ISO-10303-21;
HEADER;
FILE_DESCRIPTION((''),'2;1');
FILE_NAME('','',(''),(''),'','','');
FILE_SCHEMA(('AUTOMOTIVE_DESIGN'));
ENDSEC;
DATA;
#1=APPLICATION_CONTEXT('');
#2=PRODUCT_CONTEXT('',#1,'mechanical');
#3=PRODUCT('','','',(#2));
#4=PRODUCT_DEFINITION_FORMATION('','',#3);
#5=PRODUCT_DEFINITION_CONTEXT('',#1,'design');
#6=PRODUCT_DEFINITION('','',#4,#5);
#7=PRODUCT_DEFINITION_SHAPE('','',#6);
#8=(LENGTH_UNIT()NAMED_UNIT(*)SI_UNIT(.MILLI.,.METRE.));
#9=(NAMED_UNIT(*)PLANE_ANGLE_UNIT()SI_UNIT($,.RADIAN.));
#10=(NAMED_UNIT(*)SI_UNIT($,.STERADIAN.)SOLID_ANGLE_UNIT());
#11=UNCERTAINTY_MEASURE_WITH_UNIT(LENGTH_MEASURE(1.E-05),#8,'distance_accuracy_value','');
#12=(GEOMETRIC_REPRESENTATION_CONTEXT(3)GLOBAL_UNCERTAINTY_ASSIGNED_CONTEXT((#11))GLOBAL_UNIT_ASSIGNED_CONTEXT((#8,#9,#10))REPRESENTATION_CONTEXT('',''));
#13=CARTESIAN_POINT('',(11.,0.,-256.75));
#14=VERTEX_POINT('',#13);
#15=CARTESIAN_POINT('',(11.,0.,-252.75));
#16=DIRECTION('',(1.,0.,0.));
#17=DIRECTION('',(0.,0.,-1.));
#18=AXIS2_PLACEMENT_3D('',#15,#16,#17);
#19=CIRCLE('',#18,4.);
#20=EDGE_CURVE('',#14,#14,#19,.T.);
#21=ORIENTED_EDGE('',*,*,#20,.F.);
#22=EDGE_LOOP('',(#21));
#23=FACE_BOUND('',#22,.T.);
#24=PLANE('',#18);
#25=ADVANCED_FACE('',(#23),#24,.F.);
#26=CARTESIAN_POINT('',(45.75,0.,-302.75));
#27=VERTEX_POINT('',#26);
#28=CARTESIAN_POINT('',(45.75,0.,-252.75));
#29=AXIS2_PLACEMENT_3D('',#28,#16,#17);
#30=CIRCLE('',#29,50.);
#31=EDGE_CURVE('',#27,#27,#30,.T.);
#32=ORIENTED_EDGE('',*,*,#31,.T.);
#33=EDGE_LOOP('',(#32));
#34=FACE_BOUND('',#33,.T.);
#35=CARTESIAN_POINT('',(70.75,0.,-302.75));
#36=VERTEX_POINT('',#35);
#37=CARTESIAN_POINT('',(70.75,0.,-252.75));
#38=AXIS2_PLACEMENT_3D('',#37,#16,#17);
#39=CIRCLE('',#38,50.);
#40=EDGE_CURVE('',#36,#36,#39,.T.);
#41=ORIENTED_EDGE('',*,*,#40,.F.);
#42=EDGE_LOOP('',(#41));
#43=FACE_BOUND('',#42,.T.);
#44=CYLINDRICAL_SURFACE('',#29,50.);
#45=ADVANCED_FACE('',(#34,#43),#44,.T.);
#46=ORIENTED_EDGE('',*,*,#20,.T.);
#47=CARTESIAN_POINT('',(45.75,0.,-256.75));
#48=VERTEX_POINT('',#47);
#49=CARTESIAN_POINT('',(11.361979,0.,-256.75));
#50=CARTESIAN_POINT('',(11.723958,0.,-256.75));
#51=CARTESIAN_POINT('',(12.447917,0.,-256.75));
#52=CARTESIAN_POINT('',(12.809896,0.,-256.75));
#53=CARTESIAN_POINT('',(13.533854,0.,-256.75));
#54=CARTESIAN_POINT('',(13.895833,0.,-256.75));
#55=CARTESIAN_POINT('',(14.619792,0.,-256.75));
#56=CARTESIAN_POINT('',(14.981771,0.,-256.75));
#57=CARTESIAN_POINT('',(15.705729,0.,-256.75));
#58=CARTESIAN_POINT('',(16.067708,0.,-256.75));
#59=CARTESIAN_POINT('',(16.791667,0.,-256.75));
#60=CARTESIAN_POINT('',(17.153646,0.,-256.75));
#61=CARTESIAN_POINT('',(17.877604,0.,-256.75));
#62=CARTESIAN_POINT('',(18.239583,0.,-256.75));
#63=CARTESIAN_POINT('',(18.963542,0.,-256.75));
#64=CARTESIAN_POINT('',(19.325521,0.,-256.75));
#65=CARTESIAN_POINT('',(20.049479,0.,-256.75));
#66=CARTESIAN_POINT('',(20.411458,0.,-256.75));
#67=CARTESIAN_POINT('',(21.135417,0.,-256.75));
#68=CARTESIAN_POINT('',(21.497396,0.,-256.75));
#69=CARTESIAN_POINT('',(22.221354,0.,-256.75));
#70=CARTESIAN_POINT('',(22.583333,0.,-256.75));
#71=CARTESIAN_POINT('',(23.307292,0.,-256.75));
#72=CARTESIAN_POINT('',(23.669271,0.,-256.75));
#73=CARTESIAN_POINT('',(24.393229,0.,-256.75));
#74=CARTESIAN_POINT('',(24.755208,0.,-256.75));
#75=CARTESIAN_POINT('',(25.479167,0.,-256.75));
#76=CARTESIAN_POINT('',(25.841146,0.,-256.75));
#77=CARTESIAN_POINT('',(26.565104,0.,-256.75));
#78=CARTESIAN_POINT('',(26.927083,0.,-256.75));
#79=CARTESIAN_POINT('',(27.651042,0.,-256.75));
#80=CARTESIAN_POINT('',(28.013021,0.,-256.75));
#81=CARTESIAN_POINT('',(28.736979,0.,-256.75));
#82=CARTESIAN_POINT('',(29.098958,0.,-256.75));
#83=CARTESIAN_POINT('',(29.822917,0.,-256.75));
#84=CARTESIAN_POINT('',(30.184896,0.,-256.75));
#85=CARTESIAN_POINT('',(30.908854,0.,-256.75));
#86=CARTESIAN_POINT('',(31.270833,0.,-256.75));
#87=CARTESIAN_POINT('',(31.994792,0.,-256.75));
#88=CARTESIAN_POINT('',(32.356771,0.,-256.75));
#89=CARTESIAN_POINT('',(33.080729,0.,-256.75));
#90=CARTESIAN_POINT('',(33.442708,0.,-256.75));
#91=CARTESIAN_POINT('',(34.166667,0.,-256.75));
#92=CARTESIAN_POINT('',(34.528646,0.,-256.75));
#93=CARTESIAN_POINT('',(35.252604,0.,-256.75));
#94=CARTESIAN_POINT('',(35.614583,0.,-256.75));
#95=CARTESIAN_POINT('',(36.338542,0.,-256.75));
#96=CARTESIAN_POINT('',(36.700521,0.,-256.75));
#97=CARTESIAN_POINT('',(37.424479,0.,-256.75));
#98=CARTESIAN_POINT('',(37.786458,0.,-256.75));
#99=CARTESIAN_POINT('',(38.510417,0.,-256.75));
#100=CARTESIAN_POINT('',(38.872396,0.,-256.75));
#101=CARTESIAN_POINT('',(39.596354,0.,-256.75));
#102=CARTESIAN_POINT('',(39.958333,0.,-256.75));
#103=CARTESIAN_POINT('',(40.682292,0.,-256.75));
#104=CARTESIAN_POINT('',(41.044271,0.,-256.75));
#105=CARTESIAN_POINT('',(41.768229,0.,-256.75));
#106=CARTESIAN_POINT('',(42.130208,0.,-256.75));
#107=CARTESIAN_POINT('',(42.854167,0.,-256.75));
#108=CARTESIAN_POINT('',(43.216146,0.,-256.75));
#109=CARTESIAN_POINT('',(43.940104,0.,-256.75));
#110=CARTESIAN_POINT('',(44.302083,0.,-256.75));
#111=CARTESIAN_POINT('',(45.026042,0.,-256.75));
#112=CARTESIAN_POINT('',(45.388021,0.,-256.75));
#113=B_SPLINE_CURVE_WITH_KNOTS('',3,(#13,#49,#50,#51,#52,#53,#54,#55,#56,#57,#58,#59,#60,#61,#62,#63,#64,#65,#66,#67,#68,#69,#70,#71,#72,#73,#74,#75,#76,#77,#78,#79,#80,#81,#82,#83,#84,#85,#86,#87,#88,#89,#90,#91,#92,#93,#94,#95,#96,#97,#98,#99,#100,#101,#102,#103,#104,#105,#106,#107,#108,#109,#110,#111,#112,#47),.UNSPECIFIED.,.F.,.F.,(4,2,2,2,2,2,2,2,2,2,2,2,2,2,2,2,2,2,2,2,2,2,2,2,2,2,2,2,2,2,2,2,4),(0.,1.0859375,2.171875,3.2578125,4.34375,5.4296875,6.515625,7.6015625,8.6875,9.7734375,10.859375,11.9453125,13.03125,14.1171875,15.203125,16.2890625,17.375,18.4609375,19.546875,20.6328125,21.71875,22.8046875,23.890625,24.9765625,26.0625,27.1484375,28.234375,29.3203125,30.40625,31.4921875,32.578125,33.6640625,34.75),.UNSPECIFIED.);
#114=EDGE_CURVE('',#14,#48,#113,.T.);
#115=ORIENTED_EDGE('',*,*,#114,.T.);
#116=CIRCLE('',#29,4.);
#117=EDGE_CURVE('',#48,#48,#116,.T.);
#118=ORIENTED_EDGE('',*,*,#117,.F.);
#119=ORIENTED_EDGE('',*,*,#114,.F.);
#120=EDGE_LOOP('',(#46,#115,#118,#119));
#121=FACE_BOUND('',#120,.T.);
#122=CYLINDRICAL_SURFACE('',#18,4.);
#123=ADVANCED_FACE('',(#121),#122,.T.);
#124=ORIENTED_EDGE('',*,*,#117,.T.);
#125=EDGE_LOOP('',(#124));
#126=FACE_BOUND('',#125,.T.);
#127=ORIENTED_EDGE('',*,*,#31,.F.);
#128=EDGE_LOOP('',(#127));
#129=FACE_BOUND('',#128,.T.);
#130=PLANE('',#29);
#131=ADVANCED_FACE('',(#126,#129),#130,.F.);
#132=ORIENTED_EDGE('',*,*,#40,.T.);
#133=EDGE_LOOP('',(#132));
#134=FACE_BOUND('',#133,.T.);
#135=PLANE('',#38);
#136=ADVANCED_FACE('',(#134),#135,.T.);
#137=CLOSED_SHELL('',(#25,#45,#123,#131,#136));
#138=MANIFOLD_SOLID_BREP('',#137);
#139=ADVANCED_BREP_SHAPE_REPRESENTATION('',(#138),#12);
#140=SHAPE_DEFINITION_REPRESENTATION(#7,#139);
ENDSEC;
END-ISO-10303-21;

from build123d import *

# Parameters (mm, degrees)
SKETCH2_R           = 50
BOSS_EXTRUDE1_DEPTH = 25
SKETCH3_R           = 4
BOSS_EXTRUDE2_DEPTH = 59.75


with BuildPart() as part:
    # Sketch2 → Boss-Extrude1 (new body)
    with BuildSketch(Plane(origin=(70.75, 0, -252.75), x_dir=(0, 0, -1), z_dir=(1, 0, 0))):
        Circle(SKETCH2_R)
    extrude(amount=-BOSS_EXTRUDE1_DEPTH)

    # Sketch3 → Boss-Extrude2 (add)
    with BuildSketch(Plane(origin=(70.75, 0, -252.75), x_dir=(0, 0, -1), z_dir=(1, 0, 0))):
        Circle(SKETCH3_R)
    extrude(amount=-BOSS_EXTRUDE2_DEPTH)


solid = part.part
